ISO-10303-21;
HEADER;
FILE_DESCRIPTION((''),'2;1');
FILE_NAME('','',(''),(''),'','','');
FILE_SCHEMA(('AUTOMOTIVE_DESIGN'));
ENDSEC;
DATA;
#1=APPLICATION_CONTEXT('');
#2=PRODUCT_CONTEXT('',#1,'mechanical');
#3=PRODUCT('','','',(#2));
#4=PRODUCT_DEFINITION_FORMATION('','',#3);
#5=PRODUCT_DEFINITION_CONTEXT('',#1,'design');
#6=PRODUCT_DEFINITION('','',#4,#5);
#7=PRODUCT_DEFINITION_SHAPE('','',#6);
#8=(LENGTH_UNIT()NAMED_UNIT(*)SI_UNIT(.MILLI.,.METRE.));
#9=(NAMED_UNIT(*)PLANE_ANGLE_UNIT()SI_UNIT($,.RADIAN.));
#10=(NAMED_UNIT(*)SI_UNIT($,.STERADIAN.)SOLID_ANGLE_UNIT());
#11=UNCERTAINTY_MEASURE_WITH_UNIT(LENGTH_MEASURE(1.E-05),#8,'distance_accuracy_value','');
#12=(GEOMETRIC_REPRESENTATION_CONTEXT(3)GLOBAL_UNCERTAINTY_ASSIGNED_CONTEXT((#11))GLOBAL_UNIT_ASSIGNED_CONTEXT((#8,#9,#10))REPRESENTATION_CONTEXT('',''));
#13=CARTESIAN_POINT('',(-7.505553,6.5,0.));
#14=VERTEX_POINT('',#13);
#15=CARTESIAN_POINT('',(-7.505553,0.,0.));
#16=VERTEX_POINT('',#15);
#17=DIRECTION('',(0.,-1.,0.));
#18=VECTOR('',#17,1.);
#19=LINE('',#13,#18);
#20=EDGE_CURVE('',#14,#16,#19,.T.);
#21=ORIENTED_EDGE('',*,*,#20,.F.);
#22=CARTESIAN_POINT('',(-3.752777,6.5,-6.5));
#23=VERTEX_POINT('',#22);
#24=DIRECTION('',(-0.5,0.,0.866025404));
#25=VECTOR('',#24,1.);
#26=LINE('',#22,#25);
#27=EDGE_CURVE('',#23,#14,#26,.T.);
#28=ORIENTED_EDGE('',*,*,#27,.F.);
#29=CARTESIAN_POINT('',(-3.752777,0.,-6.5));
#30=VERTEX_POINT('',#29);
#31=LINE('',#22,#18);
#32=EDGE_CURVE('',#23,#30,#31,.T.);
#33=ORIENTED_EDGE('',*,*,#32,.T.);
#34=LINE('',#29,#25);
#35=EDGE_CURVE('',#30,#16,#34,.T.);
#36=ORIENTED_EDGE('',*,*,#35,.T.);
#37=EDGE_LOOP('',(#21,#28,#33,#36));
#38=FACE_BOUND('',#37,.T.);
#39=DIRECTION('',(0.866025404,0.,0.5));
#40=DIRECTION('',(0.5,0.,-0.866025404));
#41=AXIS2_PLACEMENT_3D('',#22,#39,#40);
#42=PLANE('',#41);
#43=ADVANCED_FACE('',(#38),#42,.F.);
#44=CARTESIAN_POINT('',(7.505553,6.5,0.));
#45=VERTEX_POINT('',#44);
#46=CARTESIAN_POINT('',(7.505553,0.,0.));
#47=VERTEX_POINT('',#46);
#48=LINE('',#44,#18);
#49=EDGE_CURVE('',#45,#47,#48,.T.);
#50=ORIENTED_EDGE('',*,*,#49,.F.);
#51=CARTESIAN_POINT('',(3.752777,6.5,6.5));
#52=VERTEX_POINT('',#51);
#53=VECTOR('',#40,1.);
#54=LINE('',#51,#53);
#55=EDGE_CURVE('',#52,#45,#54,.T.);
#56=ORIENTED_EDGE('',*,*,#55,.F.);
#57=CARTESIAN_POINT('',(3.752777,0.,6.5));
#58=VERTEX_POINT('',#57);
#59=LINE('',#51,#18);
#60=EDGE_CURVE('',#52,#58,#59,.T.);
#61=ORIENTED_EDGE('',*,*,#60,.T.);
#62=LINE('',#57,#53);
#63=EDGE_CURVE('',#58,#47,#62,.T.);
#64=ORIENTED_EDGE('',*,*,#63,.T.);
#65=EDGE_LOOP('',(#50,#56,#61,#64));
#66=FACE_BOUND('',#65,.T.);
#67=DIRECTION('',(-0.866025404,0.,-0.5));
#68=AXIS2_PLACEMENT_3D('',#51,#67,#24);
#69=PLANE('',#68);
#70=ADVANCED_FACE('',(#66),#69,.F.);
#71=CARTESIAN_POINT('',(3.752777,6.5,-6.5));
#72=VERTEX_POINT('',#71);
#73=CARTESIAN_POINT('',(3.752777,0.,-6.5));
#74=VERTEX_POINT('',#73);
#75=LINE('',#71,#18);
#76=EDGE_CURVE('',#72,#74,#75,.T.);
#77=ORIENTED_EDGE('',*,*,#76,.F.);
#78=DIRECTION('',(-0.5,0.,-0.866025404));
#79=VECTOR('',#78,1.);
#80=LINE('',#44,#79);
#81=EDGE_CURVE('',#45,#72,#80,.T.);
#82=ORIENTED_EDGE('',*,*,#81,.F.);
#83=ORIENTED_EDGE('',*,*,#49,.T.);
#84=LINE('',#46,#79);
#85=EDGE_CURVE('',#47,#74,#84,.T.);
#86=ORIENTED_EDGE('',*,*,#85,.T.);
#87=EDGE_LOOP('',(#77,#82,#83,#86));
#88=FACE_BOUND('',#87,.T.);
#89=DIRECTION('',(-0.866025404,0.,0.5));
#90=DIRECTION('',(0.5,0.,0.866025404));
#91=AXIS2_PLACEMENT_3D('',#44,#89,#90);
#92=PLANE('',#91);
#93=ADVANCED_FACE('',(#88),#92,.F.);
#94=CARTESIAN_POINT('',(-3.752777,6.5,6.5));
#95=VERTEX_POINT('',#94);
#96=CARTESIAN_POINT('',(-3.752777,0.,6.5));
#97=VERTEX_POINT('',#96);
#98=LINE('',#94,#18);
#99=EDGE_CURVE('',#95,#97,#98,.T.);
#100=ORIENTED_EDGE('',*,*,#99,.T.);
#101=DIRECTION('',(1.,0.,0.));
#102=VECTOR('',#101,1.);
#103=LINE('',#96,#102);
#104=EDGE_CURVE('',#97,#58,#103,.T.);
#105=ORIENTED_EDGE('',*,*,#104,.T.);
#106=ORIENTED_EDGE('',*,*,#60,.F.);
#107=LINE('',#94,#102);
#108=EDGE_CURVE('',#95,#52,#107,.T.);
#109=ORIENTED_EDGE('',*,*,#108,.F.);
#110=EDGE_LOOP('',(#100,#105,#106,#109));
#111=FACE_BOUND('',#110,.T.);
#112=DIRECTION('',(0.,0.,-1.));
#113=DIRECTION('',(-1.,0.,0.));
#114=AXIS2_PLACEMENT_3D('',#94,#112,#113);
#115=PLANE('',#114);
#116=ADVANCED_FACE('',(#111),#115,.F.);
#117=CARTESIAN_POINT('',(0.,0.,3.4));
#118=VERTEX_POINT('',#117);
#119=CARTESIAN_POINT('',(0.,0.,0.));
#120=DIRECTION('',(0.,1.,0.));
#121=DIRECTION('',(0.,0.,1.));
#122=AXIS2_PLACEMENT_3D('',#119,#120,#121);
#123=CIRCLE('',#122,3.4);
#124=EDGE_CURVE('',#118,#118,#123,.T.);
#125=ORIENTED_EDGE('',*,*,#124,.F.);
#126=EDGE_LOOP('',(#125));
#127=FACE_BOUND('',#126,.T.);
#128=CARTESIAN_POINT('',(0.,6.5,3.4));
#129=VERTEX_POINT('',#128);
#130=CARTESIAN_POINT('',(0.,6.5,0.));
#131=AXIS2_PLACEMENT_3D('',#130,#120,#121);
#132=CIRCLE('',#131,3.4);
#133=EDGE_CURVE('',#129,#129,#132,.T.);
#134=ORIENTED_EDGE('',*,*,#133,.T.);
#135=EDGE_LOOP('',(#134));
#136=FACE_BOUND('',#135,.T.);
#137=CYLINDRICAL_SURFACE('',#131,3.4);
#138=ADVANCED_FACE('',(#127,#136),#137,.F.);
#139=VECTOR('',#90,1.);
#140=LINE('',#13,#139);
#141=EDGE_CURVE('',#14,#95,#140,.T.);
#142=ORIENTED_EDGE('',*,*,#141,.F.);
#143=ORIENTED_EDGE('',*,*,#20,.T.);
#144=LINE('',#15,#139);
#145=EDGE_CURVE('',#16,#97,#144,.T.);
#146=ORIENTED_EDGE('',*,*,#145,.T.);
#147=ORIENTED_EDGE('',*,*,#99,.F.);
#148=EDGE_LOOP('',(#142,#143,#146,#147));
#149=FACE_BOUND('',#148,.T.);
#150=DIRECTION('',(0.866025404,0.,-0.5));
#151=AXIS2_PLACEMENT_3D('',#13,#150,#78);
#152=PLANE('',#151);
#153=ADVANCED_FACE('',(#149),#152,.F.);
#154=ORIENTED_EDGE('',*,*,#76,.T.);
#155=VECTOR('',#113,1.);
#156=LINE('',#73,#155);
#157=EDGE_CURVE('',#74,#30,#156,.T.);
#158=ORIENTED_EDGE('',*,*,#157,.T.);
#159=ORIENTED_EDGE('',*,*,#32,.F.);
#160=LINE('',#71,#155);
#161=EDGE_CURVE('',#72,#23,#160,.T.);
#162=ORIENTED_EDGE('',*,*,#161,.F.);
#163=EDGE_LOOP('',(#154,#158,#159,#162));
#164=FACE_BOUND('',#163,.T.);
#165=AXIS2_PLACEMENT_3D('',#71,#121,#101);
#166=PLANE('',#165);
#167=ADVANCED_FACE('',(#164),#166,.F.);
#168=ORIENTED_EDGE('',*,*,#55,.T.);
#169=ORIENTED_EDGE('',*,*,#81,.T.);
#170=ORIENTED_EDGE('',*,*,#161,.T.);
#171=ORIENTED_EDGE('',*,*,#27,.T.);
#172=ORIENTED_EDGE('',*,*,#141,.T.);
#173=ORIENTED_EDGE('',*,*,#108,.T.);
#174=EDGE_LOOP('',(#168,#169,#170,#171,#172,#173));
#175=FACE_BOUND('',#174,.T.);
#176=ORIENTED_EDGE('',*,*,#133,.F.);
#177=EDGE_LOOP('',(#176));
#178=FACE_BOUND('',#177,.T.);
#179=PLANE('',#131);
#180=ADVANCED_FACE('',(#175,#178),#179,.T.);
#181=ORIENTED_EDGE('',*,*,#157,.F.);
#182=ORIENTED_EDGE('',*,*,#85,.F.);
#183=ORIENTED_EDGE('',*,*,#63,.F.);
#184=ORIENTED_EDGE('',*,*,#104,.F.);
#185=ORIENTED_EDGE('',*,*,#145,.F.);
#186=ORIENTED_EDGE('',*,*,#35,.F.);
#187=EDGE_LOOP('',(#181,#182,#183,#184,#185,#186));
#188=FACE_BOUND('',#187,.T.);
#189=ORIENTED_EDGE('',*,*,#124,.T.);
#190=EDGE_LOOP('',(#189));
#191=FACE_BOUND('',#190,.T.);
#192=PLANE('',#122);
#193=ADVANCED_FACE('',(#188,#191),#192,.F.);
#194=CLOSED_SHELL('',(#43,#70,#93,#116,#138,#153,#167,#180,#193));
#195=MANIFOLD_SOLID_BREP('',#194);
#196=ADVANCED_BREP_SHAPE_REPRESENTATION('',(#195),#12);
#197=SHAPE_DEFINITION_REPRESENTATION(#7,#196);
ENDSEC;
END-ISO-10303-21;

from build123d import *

# Parameters (mm, degrees)
BOSS_EXTRUDE1_DEPTH          = 6.5
TAP_DRILL_FOR_M8X1_25_TAP1_D = 6.8


with BuildPart() as part:
    # Sketch1 → Boss-Extrude1 (new body)
    with BuildSketch(Plane(origin=(0, 0, 0), x_dir=(1, 0, 0), z_dir=(0, 1, 0))):
        Polygon((3.75277675, 6.5), (-3.75277675, 6.5), (-7.505553499, 0), (-3.75277675, -6.5), (3.75277675, -6.5), (7.505553499, 0), align=None)
    extrude(amount=BOSS_EXTRUDE1_DEPTH)

    # Tap Drill for M8x1.25 Tap1 (through all)
    with Locations(Plane(origin=(0, 6.5, 0), x_dir=(1, 0, 0), z_dir=(0, 1, 0))):
        with Locations((0, 0)):
            Hole(TAP_DRILL_FOR_M8X1_25_TAP1_D / 2)


solid = part.part
